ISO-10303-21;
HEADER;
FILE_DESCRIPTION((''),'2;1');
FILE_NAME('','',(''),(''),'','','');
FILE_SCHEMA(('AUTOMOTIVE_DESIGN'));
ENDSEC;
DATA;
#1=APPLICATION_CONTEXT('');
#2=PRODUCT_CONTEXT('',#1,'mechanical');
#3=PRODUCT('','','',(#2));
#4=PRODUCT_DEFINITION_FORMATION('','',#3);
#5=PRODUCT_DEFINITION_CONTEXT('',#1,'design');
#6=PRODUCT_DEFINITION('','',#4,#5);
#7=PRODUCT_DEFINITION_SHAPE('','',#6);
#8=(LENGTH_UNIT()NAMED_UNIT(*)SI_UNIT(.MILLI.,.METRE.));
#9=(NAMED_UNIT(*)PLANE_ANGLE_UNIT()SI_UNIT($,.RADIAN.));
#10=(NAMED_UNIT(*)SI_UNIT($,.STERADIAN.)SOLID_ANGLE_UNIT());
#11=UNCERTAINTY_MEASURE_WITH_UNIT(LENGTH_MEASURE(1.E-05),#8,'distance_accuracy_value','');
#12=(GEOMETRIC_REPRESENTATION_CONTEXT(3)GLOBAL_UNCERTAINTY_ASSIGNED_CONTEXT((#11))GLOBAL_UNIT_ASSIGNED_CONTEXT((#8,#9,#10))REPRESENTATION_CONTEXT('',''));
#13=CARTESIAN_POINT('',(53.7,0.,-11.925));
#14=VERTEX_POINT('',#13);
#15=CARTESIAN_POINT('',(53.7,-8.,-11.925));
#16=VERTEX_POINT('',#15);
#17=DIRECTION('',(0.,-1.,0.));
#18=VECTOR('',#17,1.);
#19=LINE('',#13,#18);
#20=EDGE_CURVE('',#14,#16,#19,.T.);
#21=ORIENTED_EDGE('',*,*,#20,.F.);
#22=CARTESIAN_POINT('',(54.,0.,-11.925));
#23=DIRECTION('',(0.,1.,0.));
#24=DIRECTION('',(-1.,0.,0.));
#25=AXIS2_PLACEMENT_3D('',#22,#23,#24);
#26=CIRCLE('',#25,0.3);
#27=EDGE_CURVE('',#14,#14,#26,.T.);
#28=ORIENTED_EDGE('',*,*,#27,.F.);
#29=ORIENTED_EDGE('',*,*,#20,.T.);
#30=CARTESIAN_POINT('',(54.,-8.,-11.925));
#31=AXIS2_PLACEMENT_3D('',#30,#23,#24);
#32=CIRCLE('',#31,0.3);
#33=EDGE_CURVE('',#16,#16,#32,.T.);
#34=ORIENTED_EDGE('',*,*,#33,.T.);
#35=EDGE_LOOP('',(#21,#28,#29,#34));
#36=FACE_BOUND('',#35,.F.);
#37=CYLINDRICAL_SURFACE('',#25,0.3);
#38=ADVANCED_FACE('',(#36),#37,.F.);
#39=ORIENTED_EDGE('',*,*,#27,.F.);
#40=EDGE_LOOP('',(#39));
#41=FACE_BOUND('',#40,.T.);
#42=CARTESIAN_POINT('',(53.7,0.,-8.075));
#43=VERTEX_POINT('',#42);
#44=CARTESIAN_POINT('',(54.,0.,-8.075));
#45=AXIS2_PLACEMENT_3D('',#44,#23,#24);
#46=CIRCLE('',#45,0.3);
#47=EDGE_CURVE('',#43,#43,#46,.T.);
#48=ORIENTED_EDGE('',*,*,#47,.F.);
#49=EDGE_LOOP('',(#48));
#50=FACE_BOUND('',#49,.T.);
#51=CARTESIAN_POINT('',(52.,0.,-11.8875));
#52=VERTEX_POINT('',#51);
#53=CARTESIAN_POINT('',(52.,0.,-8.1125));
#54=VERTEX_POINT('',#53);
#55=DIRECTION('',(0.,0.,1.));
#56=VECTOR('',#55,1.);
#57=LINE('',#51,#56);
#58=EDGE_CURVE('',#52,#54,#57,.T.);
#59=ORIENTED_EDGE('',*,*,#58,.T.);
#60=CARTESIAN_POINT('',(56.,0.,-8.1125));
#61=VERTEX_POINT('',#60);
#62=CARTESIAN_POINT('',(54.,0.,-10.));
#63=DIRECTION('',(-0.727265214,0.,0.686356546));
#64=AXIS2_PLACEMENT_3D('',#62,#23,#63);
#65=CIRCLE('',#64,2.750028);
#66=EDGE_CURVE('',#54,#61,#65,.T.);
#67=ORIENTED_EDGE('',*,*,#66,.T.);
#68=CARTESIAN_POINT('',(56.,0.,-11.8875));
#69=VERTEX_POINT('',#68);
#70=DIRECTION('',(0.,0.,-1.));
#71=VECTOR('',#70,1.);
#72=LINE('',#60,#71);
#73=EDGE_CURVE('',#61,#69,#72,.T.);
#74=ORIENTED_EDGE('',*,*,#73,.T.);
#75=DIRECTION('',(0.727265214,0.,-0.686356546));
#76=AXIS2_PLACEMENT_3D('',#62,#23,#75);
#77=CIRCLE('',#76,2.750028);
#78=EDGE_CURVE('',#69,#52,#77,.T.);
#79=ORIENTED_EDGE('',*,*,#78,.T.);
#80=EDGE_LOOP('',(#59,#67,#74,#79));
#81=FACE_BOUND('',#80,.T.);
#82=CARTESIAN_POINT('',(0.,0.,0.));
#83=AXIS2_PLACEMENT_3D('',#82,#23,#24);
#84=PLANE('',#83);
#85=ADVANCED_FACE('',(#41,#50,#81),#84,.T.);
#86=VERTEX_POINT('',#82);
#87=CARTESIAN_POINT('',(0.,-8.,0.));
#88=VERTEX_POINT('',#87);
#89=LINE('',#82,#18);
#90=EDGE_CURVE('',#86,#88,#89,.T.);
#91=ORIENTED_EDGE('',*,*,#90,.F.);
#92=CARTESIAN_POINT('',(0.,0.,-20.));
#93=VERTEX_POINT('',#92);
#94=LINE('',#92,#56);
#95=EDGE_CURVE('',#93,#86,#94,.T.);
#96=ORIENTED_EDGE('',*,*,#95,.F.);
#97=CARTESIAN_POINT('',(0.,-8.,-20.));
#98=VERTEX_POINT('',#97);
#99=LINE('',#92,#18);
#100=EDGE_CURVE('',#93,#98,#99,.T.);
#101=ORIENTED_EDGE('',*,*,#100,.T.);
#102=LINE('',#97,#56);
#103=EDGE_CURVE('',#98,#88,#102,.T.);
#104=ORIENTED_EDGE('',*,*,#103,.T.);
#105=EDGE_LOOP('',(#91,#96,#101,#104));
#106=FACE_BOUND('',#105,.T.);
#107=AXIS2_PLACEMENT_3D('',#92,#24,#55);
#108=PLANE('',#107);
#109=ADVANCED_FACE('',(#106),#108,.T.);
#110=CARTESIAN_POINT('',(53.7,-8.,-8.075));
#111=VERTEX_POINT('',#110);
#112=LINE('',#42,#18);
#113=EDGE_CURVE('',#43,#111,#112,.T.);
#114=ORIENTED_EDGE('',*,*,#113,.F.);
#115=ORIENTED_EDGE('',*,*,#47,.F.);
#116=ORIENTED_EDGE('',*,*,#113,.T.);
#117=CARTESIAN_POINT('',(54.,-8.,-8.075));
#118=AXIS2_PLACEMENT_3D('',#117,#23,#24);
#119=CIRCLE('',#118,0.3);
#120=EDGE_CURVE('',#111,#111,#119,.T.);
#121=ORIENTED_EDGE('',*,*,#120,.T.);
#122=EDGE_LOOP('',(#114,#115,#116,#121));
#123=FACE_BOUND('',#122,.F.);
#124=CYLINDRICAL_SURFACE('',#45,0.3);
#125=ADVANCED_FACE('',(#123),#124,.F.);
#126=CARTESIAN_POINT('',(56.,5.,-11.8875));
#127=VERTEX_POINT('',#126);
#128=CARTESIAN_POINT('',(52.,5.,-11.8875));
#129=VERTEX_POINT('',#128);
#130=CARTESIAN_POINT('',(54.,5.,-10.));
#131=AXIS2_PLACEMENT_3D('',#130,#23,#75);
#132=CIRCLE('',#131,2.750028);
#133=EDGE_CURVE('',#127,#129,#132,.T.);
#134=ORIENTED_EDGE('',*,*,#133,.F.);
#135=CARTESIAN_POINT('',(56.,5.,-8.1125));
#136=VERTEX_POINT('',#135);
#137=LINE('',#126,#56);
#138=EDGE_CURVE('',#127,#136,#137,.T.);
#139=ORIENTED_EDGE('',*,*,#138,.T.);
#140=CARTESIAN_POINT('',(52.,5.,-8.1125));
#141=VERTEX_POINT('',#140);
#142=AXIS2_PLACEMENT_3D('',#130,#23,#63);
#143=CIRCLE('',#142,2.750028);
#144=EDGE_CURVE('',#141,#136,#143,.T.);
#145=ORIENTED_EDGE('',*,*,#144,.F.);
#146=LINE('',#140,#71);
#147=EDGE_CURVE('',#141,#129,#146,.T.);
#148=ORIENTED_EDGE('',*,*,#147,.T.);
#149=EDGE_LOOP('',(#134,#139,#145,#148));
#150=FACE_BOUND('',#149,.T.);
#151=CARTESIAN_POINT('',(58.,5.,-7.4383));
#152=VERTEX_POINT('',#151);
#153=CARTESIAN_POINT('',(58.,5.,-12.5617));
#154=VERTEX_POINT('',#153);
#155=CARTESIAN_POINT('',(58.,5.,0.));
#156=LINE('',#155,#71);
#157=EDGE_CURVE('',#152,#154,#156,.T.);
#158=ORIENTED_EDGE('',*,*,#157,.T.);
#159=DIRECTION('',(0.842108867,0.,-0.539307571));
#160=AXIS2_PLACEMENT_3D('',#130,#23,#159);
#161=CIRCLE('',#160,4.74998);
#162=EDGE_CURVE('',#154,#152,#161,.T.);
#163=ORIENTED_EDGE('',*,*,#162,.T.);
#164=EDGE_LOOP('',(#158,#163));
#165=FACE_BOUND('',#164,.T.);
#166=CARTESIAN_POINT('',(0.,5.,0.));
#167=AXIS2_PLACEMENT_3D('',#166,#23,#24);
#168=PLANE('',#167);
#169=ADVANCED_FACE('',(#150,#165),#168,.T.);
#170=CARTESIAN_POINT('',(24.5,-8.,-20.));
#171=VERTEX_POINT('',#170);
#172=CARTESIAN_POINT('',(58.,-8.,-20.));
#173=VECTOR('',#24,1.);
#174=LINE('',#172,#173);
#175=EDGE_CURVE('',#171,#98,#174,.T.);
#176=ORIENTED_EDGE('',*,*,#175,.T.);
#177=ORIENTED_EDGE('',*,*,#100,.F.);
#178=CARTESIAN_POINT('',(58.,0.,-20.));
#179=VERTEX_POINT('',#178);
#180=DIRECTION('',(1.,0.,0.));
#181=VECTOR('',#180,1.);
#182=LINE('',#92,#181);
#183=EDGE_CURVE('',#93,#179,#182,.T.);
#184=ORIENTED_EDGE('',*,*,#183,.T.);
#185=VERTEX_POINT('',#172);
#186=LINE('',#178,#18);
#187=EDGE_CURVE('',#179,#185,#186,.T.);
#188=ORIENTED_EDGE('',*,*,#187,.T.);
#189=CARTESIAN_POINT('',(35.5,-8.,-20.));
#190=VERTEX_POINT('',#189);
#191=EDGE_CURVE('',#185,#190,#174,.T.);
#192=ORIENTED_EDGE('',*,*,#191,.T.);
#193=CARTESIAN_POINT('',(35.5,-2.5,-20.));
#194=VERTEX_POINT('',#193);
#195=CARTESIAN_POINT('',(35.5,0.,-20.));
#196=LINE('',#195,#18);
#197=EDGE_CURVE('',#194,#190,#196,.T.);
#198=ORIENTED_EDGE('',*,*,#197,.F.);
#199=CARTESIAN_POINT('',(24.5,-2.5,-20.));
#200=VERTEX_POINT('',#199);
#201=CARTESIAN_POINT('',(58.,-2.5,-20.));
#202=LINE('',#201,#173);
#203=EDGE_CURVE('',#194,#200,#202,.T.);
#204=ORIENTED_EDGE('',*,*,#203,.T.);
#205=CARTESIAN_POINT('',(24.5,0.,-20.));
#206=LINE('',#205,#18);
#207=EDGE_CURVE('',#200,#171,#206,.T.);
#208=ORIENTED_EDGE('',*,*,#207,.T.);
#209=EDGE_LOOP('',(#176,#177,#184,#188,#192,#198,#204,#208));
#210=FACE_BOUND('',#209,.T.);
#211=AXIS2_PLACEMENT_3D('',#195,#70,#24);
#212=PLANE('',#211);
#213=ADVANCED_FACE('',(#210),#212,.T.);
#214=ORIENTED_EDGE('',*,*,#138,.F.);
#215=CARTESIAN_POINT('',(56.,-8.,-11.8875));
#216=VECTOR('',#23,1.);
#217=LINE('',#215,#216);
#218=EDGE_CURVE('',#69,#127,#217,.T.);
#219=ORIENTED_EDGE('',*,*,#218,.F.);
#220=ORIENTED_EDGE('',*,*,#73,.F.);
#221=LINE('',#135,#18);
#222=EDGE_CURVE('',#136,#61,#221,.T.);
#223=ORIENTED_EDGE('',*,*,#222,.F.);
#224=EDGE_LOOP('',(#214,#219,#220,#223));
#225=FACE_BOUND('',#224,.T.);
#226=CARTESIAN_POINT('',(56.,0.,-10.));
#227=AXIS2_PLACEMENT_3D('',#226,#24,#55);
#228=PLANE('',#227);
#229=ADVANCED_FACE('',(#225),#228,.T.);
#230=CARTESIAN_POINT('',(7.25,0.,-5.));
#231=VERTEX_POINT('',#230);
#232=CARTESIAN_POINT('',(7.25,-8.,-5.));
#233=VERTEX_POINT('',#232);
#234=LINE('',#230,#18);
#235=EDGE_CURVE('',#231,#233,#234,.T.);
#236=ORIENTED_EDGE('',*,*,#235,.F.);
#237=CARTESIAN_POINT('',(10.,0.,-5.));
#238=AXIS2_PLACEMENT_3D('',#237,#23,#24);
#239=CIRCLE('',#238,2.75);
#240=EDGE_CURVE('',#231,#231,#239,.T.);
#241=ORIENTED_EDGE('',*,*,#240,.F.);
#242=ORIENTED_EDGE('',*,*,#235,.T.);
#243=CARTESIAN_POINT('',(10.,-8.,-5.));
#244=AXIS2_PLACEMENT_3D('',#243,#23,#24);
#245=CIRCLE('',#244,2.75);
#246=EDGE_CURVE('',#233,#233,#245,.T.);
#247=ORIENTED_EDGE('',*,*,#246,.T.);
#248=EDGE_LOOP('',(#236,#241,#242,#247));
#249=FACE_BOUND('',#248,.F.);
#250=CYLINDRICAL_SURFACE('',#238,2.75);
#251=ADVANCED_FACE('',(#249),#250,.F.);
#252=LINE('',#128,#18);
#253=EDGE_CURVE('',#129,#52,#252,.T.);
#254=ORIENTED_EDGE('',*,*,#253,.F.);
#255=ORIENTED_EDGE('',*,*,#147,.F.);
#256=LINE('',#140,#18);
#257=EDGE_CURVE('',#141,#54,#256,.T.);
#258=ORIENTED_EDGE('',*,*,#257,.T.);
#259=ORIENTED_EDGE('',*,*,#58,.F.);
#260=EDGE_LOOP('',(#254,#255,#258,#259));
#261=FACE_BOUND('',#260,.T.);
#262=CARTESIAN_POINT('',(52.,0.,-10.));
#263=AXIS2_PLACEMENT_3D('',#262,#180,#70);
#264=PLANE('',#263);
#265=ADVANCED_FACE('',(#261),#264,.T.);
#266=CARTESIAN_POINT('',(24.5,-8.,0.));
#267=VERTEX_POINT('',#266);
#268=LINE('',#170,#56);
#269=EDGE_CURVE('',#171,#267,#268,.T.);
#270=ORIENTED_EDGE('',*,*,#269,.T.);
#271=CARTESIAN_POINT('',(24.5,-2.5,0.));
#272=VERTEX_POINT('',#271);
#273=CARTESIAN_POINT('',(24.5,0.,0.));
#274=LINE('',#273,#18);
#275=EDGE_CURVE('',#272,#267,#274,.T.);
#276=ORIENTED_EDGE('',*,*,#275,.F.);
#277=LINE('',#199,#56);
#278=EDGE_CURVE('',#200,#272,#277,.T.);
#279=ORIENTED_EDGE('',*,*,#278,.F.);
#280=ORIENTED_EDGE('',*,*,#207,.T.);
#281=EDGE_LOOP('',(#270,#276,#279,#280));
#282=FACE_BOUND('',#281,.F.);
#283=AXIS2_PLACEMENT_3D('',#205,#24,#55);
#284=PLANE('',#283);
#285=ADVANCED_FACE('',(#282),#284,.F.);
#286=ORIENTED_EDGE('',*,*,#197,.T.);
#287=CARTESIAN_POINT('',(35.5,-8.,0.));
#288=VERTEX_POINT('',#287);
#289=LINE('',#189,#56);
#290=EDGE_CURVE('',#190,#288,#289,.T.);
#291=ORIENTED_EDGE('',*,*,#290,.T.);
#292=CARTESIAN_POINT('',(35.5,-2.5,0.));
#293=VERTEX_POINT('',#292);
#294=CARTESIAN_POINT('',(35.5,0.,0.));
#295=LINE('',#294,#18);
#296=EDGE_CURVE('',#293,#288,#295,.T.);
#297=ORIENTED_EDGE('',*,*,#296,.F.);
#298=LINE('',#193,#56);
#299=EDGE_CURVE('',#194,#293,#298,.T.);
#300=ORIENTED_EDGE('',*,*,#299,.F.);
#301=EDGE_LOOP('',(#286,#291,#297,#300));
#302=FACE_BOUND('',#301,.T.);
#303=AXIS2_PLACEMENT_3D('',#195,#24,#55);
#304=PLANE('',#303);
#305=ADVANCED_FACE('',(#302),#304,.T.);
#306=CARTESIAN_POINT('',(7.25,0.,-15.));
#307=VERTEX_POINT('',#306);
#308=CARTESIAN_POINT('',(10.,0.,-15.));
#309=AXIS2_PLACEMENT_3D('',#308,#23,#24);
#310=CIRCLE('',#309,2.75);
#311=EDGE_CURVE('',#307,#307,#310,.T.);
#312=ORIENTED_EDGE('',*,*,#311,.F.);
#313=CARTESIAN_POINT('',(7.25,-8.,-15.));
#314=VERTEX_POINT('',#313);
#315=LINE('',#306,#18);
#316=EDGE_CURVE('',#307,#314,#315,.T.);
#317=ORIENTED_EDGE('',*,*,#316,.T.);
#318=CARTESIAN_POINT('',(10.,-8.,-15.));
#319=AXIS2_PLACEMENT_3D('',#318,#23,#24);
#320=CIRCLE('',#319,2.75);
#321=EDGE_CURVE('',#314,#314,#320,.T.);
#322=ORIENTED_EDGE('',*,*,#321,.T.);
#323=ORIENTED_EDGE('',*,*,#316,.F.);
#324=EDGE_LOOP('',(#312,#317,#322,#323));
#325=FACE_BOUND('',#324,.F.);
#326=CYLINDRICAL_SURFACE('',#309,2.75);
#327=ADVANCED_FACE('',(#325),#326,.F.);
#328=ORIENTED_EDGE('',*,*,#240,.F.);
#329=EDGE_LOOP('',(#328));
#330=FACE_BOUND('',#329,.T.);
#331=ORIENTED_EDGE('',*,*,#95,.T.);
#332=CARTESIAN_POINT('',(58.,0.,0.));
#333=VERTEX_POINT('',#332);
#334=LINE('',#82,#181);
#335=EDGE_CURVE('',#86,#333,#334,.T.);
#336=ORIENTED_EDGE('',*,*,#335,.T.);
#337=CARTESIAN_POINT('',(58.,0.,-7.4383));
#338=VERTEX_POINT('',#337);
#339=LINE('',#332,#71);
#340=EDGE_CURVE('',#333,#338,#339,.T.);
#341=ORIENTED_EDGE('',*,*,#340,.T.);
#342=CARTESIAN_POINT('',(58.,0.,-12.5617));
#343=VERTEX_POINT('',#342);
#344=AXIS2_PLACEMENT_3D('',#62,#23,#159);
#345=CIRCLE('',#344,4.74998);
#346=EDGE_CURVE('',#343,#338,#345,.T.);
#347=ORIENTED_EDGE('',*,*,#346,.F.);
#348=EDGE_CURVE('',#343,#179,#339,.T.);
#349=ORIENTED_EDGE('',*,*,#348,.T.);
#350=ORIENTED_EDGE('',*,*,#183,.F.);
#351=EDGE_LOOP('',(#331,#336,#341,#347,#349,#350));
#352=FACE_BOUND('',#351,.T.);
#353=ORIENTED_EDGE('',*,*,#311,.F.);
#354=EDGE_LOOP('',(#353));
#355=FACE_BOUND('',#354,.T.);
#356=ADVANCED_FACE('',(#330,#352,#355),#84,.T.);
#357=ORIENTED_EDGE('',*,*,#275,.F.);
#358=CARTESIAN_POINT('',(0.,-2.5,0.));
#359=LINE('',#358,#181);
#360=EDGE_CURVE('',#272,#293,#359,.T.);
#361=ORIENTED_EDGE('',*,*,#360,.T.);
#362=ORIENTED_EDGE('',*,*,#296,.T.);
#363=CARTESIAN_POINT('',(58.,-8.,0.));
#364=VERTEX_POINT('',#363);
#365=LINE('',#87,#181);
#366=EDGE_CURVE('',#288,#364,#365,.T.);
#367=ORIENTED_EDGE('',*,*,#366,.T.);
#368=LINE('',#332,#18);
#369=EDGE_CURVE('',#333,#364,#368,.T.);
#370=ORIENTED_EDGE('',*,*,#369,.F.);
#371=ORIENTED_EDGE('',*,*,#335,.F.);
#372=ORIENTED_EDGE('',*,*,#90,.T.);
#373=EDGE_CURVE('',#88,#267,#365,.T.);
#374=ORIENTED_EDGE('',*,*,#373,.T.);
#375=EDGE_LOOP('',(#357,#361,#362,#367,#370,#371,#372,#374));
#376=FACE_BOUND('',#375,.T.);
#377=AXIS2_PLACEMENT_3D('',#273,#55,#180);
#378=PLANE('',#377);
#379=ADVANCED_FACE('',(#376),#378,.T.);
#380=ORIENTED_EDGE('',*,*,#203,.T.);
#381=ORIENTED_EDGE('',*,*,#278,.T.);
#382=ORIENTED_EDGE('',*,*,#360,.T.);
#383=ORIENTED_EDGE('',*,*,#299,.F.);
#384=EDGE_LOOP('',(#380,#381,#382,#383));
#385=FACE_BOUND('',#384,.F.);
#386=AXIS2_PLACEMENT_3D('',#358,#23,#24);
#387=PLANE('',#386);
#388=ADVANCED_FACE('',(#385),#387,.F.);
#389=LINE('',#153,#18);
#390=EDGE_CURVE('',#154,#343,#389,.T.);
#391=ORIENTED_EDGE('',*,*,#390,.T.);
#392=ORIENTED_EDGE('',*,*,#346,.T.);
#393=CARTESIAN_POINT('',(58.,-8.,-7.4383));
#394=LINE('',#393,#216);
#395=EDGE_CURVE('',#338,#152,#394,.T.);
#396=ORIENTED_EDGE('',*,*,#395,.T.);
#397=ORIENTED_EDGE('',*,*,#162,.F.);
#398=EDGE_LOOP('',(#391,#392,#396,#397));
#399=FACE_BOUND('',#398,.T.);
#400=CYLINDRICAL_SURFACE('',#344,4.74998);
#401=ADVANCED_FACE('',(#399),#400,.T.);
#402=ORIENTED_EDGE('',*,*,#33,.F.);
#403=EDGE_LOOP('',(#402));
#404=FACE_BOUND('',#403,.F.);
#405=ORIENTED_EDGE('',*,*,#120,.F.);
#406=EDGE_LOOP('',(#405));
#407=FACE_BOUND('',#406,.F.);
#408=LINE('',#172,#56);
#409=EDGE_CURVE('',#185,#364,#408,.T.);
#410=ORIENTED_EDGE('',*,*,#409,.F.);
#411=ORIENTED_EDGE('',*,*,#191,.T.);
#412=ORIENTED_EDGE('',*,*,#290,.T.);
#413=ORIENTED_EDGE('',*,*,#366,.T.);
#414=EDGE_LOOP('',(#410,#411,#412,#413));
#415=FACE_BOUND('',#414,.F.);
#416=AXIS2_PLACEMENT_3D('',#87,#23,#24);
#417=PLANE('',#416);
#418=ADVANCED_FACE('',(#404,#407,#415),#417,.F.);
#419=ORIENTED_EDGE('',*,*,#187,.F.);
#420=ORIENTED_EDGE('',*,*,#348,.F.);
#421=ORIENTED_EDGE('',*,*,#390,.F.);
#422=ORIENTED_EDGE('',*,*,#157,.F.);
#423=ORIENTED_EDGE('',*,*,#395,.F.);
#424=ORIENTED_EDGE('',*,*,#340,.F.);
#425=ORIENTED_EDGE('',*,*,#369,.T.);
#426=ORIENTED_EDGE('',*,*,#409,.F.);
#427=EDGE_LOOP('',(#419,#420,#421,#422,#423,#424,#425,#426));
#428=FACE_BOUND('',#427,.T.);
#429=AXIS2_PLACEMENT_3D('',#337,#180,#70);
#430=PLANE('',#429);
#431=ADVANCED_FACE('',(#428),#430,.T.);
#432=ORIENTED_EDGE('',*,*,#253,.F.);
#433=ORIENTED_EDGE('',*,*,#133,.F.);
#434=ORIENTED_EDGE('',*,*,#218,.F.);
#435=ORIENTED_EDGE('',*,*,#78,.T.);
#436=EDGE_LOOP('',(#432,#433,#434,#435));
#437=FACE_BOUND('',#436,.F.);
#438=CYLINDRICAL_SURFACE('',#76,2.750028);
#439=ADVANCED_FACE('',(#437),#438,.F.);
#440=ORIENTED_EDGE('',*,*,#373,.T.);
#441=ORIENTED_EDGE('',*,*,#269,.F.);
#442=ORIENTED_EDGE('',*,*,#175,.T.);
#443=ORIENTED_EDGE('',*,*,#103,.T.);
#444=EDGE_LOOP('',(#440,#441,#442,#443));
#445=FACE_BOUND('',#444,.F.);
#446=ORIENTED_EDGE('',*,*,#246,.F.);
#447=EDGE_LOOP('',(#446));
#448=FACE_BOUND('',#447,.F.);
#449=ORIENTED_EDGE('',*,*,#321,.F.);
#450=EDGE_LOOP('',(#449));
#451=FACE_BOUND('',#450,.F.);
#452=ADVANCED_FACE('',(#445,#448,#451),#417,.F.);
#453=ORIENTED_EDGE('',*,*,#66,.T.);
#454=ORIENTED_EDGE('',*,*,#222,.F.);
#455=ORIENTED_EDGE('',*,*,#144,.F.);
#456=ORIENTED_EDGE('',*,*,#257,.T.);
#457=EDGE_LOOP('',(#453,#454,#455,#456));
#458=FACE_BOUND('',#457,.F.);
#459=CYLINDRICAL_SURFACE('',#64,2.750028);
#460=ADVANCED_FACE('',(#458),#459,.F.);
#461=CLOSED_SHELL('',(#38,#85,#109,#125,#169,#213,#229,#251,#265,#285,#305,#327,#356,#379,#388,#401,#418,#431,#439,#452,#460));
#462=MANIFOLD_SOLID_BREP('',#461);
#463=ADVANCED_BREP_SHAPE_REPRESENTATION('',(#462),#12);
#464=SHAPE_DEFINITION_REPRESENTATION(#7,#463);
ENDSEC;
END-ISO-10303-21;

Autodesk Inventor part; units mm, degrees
ref_plane "YZ Plane" through (0, 0, 0) normal (1, 0, 0) x (0, 1, 0)
ref_plane "XZ Plane" through (0, 0, 0) normal (0, 1, 0) x (-1, 0, 0)
ref_plane "XY Plane" through (0, 0, 0) normal (0, 0, 1) x (1, 0, 0)
sketch "Sketch1" plane through (0, 0, 0) normal (0, 1, 0) x (-1, 0, 0)
  line L0 (0, 0) -> (-58, 0)
  line L1 (-58, 0) -> (-58, -20)
  line L2 (-58, -20) -> (0, -20)
  line L3 (0, -20) -> (0, 0)
  line L4 (-58, -10) -> (-54, -10) construction
  arc A0 (-56, -11.8875) -> (-52, -11.8875) centre (-54, -10) ccw
  line L5 (-58, -10) -> (-56, -10) construction
  line L6 (-56, -10) -> (-56, -11.8875)
  line L7 (-56, -10) -> (-56, -8.1125)
  line L8 (-54, -10) -> (-52, -10) construction
  line L9 (-52, -10) -> (-52, -11.8875)
  line L10 (-52, -10) -> (-52, -8.1125)
  arc A1 (-52, -8.1125) -> (-56, -8.1125) centre (-54, -10) ccw
  arc A2 (-58, -12.5617) -> (-58, -7.4383) centre (-54, -10) ccw
  line L11 (0, 0) -> (-10, 0) construction
  line L12 (-10, 0) -> (-10, -5) construction
  line L13 (-10, -20) -> (-10, -15) construction
  circle A3 centre (-10, -5) radius 2.75
  circle A4 centre (-10, -15) radius 2.75
  line L14 (-54, -10) -> (-54, -11.925) construction
  line L15 (-54, -10) -> (-54, -8.075) construction
  circle A5 centre (-54, -8.075) radius 0.3
  circle A6 centre (-54, -11.925) radius 0.3
  line L16 (-58, -10) -> (-31.5, -10) construction
  line L17 (-33.5, -10) -> (-24.5, -10) construction
  line L18 (-35.5, -20) -> (-35.5, 0)
  line L19 (-24.5, -20) -> (-24.5, 0)
  line L20 (-31.5, -10) -> (-33.5, -10) construction
  line L21 (-33.5, -10) -> (-35.5, -10) construction
  line L22 (-24.5, 0) -> (-35.5, 0)
  line L23 (-35.5, 0) -> (-35.5, -20)
  line L24 (-35.5, -20) -> (-24.5, -20)
  line L25 (-24.5, -20) -> (-24.5, 0)
  dimension "d0" = 58
  dimension "d1" = 20
  dimension "d2" = 4
  dimension "d4" = 2
  dimension "d5" = 2
  dimension "d7" = 10
  dimension "d8" = 5
  dimension "d9" = 5
  dimension "d10" = 5.5
  dimension "d11" = 5.5
  dimension "d18" = 1.925
  dimension "d19" = 1.925
  dimension "d20" = 0.6
  dimension "d21" = 0.6
  dimension "d24" = 26.5
  dimension "d25" = 9
  dimension "d32" = 2
  dimension "d33" = 2
extrude "Extrusion2" add sketch "Sketch1" against normal blind 8 contours A2 L1
extrude "Extrusion3" add sketch "Sketch1" along normal blind 5 contours A2 L1
extrude "Extrusion4" add sketch "Sketch1" against normal blind 8 contours L6 L7 A1 L10 L9 A0
extrude "Extrusion8" add sketch "Sketch1" against normal blind 8 contours L3 L2 L19 L0 | L18 L2 L1 A2 L0
extrude "Extrusion9" add sketch "Sketch1" against normal blind 2.5 contours L19 L2 L18 L0
properties part number "LDR_Holder"
